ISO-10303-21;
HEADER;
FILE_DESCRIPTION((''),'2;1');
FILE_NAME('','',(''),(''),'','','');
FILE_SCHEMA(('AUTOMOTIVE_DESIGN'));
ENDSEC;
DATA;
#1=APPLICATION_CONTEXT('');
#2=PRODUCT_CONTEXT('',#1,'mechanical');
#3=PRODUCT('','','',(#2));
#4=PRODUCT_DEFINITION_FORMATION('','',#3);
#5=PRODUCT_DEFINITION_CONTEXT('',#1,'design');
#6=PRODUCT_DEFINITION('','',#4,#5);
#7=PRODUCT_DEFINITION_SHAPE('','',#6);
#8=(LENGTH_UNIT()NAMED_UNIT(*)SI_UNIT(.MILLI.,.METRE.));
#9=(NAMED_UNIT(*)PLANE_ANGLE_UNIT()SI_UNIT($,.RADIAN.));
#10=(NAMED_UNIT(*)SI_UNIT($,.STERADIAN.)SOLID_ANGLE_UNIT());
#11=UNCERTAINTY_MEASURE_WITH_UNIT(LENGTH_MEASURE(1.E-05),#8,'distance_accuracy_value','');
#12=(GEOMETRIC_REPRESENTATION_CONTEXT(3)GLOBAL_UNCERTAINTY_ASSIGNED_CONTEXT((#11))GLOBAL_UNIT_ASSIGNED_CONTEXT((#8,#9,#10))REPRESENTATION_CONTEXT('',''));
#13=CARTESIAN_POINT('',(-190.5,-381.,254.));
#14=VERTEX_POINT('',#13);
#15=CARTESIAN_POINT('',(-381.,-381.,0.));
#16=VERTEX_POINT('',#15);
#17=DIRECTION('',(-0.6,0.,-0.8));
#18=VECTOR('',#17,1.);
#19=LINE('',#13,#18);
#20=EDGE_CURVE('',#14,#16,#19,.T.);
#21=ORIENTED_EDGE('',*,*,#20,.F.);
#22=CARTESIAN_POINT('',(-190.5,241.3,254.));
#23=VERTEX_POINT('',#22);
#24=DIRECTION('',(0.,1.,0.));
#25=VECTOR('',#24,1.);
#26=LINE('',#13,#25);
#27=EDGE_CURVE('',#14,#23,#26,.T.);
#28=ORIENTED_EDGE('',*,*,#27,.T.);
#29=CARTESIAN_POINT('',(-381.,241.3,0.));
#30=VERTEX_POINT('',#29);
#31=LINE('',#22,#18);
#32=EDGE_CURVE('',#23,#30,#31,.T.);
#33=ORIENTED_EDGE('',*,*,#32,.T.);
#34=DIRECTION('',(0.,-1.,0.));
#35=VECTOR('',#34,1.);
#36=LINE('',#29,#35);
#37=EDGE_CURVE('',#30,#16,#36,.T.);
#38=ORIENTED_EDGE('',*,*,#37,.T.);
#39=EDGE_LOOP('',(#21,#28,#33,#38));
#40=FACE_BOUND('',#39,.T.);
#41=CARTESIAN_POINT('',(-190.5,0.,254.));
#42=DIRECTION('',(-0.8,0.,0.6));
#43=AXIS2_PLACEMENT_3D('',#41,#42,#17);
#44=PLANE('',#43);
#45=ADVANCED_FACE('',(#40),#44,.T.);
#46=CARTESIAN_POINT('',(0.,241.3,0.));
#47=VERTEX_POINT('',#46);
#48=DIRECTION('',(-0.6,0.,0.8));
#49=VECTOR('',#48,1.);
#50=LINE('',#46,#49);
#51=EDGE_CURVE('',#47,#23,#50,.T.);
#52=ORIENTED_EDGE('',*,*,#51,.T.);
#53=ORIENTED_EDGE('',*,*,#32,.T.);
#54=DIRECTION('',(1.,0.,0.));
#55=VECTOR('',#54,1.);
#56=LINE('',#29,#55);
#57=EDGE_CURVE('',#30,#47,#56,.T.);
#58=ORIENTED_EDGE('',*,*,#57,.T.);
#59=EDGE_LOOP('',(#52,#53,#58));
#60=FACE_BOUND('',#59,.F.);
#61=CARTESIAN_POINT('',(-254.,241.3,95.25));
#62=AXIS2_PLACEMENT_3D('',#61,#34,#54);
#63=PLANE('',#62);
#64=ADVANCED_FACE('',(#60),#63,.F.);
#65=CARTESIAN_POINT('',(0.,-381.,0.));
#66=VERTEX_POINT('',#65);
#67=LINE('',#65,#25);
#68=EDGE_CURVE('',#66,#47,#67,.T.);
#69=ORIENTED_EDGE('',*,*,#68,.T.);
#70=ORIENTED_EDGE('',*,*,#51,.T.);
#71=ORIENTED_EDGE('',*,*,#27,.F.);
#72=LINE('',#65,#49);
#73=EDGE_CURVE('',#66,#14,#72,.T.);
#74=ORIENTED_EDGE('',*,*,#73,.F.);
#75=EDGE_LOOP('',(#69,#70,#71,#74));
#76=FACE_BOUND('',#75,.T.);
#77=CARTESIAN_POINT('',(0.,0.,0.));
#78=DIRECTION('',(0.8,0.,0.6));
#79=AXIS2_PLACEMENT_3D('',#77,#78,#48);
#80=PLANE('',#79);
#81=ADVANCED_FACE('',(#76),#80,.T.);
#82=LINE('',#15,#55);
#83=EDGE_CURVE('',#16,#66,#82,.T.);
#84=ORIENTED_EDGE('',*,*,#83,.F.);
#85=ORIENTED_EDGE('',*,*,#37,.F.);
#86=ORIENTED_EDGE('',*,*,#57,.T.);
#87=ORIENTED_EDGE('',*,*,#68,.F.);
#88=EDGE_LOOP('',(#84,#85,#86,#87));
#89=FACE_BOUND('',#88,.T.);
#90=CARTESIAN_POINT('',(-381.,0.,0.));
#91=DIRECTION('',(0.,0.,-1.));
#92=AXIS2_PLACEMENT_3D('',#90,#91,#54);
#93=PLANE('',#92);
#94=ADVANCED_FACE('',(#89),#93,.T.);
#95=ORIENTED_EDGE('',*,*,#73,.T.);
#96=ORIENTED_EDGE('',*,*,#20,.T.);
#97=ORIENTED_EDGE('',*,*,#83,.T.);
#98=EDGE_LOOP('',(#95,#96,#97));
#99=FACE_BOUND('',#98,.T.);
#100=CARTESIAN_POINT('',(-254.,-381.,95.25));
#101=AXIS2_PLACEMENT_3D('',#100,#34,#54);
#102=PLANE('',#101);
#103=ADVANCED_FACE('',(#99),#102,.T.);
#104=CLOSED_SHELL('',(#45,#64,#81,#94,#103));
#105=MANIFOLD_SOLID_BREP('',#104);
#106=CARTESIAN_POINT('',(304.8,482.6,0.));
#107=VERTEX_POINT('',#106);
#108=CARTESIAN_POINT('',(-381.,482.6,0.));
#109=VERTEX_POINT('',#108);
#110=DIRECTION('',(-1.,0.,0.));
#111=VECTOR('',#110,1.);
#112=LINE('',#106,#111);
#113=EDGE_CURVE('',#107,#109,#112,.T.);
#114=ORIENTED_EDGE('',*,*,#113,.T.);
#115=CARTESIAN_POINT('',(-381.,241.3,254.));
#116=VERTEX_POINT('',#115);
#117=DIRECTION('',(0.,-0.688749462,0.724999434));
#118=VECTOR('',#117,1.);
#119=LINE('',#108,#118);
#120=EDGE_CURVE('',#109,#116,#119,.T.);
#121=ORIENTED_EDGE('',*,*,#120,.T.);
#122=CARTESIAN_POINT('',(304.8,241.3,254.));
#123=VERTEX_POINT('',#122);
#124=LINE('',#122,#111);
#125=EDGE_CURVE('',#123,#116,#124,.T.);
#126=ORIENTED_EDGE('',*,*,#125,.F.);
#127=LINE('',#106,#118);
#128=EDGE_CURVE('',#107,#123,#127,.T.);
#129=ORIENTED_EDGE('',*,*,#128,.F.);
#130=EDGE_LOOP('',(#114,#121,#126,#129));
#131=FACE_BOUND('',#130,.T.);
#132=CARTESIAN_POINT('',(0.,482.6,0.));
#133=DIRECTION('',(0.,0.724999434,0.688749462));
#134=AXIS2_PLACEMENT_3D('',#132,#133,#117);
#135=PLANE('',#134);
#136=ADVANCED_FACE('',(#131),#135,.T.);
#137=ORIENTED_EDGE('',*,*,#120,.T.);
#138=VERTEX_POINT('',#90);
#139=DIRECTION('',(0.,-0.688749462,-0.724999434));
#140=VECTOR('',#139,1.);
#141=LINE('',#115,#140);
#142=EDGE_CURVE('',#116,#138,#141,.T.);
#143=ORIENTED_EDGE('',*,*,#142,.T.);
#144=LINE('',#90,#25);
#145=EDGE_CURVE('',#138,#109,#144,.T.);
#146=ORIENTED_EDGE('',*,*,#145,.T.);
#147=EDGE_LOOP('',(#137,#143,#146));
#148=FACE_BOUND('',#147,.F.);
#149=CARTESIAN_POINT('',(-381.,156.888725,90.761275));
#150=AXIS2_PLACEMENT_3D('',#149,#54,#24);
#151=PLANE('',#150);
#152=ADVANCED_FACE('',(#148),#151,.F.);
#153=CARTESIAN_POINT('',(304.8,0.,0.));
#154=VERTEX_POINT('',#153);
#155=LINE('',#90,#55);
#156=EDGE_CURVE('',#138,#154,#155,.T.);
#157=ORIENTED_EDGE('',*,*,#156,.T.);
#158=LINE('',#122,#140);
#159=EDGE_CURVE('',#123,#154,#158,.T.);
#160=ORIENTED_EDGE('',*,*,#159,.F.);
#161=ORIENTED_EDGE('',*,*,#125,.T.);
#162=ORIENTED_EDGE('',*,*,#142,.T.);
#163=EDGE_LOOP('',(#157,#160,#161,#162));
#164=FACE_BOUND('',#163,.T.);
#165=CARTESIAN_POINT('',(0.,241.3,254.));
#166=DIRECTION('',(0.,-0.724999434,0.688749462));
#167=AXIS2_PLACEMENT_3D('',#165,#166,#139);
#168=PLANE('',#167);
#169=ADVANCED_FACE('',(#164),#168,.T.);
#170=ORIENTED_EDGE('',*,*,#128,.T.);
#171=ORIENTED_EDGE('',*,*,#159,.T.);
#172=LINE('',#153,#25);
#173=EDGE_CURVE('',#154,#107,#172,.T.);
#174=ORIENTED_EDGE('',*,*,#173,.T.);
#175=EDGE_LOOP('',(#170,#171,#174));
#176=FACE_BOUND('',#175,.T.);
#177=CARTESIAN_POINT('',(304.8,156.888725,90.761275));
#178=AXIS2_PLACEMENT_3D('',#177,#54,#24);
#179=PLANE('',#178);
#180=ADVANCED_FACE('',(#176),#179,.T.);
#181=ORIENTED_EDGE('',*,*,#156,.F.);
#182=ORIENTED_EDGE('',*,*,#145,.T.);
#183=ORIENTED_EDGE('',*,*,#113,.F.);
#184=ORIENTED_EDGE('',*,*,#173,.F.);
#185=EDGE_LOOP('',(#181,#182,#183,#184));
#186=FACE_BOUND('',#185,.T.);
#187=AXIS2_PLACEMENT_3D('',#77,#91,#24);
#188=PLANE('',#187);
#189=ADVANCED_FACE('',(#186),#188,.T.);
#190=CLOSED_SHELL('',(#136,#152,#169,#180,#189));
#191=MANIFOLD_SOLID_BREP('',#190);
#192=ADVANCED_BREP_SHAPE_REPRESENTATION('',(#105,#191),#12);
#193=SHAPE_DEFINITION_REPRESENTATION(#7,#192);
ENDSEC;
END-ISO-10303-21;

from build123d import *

# Parameters (mm, degrees)
F2_DEPTH      = 381
F2_DEPTH_BACK = 241.3
F4_DEPTH      = 304.8
F4_DEPTH_BACK = 381


with BuildPart() as f2:
    # F1 (on Front) → F2 (new body, two sides)
    with BuildSketch(Plane.XZ) as f2_sk:
        Polygon((-190.5, 254), (-381, 0), (-190.5, 0), align=None)
        Polygon((-190.5, 254), (-190.5, 0), (0, 0), align=None)
    extrude(amount=F2_DEPTH)
    extrude(f2_sk.sketch, amount=-F2_DEPTH_BACK)


with BuildPart() as f4:
    # F3 (on Right) → F4 (new body, two sides)
    with BuildSketch(Plane.YZ) as f4_sk:
        Polygon((241.3, 254), (0, 0), (241.3, 0), align=None)
        Polygon((241.3, 254), (241.3, 0), (482.6, 0), align=None)
    extrude(amount=F4_DEPTH)
    extrude(f4_sk.sketch, amount=-F4_DEPTH_BACK)


solid = Compound([f2.part, f4.part])
